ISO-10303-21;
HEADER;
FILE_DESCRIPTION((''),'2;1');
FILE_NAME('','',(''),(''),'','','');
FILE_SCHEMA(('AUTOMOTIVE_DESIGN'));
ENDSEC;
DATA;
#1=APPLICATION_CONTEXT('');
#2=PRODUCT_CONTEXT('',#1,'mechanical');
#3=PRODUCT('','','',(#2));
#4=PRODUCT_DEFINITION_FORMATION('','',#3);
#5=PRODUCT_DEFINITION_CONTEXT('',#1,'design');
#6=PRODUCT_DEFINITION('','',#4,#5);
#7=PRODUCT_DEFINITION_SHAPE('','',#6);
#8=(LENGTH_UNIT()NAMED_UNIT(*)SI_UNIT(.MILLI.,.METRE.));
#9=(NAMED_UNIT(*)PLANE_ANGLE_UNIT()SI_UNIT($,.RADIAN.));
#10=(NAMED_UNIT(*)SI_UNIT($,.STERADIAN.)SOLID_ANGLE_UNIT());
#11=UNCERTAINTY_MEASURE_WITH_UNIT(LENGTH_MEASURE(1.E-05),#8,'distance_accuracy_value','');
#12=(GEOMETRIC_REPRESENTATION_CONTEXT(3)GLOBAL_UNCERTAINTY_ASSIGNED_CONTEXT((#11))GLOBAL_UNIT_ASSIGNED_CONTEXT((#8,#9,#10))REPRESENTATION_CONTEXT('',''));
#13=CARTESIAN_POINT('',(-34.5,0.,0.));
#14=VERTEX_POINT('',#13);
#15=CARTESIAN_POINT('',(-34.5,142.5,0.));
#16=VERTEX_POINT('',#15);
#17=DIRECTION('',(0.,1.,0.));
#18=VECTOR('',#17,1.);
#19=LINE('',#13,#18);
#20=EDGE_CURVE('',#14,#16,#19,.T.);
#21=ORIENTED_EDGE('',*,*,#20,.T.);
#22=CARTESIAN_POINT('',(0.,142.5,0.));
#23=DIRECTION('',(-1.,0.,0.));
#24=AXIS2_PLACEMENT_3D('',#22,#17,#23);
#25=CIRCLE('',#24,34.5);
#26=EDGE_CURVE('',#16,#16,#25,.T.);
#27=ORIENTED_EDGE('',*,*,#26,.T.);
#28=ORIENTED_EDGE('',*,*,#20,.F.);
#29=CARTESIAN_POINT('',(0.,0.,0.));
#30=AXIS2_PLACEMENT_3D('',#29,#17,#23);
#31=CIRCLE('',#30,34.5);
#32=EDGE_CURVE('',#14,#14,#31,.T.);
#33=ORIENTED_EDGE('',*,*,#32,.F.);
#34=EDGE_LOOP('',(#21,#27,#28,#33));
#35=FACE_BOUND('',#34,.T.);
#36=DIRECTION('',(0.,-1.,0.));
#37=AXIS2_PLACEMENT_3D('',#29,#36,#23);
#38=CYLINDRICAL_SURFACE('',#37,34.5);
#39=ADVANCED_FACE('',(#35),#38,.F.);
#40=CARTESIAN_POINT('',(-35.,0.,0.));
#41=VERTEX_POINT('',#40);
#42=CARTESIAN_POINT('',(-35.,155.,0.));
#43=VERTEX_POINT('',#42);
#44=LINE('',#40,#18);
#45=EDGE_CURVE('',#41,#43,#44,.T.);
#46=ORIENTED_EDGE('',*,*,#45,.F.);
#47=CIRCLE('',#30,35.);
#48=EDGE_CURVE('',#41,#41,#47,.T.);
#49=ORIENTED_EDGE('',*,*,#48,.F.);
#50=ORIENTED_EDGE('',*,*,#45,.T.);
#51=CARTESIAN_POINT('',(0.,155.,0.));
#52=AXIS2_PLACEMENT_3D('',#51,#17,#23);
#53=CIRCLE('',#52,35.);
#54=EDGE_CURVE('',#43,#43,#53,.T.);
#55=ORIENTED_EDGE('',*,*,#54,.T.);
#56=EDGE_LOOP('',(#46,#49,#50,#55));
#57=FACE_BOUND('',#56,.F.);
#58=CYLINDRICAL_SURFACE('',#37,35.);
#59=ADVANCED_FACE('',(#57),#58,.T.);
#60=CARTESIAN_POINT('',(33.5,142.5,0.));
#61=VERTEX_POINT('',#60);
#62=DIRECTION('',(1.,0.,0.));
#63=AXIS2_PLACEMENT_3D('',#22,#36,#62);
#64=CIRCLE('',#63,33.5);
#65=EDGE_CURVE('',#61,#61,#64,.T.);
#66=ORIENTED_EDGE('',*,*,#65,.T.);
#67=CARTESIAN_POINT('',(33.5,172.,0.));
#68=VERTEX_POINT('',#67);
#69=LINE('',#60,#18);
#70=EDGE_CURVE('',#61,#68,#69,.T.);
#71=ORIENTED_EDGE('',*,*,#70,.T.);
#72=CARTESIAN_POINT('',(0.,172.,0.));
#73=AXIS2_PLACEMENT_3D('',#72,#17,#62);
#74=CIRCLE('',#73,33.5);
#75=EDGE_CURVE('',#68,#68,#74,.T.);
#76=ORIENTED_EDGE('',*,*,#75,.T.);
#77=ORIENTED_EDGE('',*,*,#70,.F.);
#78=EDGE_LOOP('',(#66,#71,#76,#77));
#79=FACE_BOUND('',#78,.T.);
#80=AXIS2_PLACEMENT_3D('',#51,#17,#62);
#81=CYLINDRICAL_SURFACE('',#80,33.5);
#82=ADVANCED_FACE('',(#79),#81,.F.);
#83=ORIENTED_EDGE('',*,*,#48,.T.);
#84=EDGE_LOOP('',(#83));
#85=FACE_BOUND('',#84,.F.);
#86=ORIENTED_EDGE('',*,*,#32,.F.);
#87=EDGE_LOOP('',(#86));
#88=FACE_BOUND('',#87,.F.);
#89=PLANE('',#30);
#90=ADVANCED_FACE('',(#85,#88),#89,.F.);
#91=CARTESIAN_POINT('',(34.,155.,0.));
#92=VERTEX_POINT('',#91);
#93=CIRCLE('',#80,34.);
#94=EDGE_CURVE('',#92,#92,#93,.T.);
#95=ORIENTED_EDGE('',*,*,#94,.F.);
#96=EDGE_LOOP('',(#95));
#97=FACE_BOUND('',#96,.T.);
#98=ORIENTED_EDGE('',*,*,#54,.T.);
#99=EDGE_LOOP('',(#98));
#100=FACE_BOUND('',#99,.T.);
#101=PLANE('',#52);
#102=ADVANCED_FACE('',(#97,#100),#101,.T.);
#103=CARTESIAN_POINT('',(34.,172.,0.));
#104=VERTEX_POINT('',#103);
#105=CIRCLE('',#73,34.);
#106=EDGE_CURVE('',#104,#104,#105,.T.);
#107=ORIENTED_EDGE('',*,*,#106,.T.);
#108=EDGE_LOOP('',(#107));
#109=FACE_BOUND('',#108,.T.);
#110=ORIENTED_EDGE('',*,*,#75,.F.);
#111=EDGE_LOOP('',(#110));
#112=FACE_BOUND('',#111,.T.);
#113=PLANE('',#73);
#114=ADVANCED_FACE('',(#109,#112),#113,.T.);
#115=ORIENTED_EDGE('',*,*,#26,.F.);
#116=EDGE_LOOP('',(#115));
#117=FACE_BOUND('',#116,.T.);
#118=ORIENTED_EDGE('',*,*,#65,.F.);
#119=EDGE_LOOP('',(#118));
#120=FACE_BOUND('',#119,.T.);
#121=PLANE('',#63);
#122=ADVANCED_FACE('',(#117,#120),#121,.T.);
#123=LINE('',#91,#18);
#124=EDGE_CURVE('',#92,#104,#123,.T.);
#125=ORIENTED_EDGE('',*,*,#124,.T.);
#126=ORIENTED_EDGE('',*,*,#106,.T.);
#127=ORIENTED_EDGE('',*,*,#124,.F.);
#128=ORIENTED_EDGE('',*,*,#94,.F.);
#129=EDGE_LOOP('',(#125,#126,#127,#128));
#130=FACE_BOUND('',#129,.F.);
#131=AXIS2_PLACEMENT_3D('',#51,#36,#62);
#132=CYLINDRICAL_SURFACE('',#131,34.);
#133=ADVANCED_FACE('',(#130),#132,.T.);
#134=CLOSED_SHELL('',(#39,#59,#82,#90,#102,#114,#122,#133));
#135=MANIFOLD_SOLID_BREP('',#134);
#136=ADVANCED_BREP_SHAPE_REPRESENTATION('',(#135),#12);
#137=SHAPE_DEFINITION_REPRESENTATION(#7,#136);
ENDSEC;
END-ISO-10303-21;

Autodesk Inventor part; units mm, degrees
ref_plane "XZ Plane" through (0, 0, 0) normal (0, 1, 0) x (-1, 0, 0)
sketch "Sketch1" plane through (0, 0, 0) normal (0, 1, 0) x (-1, 0, 0)
  circle A0 centre (0, 0) radius 35
  circle A1 centre (0, 0) radius 34.5
  dimension "d0" = 70
  dimension "d1" = 69
extrude "Extrusion1" add sketch "Sketch1" along normal blind 155
ref_plane "Work Plane2" through (35, 0, 0) normal (1, 0, 0) x (0, 1, 0)
sketch "Sketch5" plane through (0, 155, 0) normal (0, 1, 0) x (1, 0, 0)
  circle A0 centre (0, 0) radius 34
  circle A1 centre (0, 0) radius 33.5
  dimension "d44" = 68
  dimension "d45" = 67
extrude "Extrusion3" add sketch "Sketch5" along normal blind 17
sketch "Sketch6" plane through (0, 155, 0) normal (0, -1, 0) x (1, 0, 0)
  circle A0 centre (0, 0) radius 33.5
  circle A1 centre (0, 0) radius 34.5 projected
  circle A2 centre (0, 0) radius 35
extrude "Extrusion4" add sketch "Sketch6" along normal blind 12.5 contours A1
ref_plane "Work Plane4" through (34, 0, 0) normal (1, 0, 0) x (0, 1, 0)
properties part number "Engine skin lower" material "Plastic, Opaque White"
